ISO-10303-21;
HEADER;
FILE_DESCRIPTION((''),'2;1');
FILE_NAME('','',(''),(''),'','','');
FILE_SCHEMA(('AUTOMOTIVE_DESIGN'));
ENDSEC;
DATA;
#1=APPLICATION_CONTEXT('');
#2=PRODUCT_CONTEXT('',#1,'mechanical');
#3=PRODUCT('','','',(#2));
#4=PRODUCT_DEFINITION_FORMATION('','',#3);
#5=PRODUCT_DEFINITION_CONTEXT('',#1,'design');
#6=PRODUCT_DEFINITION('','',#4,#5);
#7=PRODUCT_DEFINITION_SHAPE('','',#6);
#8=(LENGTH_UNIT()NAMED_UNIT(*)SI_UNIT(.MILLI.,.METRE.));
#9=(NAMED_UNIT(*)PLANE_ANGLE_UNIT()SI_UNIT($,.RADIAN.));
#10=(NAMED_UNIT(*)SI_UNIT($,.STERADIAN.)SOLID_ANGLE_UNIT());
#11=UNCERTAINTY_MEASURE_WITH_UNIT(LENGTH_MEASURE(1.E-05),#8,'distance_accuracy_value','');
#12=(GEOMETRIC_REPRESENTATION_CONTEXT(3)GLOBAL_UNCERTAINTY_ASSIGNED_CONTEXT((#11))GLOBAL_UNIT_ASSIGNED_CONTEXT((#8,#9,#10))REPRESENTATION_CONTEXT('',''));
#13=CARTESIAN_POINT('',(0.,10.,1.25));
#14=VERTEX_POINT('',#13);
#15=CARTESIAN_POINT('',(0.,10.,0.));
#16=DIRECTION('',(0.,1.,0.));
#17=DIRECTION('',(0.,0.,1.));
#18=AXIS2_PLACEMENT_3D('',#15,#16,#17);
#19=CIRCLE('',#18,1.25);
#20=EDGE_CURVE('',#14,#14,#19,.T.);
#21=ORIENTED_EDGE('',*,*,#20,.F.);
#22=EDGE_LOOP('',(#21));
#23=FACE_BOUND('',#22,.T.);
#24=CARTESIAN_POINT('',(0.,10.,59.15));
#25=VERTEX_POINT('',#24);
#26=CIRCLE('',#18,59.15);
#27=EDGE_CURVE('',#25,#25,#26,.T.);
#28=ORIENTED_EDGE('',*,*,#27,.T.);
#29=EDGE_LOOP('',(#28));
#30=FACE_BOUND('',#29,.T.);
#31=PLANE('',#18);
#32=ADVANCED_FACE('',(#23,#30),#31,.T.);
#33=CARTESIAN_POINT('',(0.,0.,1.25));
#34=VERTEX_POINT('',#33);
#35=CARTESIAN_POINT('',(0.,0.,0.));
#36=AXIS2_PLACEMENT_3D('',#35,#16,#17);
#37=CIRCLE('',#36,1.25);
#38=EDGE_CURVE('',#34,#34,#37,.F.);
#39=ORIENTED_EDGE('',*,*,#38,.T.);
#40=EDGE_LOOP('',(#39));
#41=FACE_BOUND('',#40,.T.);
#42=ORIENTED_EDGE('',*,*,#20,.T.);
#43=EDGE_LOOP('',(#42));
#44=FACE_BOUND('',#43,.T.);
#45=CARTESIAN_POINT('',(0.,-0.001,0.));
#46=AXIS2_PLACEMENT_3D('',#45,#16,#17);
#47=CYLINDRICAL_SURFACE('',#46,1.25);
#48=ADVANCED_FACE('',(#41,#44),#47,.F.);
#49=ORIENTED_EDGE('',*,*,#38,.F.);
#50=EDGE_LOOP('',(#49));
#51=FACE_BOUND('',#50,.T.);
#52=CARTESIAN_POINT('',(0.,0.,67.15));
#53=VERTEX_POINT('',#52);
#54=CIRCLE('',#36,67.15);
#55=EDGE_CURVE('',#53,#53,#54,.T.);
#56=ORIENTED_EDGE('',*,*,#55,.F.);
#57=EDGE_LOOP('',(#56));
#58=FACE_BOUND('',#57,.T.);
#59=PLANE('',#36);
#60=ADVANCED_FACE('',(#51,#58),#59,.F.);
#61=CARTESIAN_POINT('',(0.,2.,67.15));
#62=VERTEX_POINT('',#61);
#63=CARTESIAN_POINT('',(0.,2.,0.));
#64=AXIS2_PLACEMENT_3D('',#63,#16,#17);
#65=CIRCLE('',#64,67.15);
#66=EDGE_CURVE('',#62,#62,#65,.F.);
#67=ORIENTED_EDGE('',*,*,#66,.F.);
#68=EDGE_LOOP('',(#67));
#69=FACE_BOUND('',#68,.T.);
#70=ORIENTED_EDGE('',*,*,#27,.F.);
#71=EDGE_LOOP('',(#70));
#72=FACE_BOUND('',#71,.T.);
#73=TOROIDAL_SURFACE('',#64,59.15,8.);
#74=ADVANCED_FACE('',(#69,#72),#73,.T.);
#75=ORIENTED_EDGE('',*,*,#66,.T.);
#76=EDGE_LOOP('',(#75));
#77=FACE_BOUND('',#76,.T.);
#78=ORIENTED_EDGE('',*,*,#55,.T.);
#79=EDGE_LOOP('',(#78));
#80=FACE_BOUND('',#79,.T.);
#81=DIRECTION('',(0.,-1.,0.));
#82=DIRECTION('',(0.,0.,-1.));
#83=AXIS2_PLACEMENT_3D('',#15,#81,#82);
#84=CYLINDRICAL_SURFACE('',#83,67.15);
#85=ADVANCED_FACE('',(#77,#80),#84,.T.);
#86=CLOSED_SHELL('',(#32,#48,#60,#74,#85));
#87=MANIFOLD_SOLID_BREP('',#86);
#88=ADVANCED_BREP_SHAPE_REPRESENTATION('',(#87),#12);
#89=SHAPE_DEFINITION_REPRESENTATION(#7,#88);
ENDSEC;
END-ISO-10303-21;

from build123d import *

# Parameters (mm, degrees)
SKETCH1_R           = 67.15
BOSS_EXTRUDE1_DEPTH = 10
FILLET1_R           = 8
CUT_EXTRUDE3_REACH  = 97.49
SKETCH4_R           = 1.25


with BuildPart() as part:
    # Sketch1 → Boss-Extrude1 (new body)
    with BuildSketch(Plane(origin=(0, 0, 0), x_dir=(1, 0, 0), z_dir=(0, 1, 0))):
        with Locations(Location((0, 0, 0), (0, 0, 270))):
            Circle(SKETCH1_R)
    extrude(amount=BOSS_EXTRUDE1_DEPTH)

    # Fillet1
    fillet1_edges = [part.edges().sort_by_distance(p)[0] for p in [
        (0, 10, -67.15),
    ]]
    fillet(fillet1_edges, radius=FILLET1_R)

    # Sketch4 → Cut-Extrude3 (cut, up to next)
    with BuildSketch(Plane(origin=(0, 10, 0), x_dir=(1, 0, 0), z_dir=(0, 1, 0)), mode=Mode.PRIVATE) as cut_extrude3_sk1:
        with Locations(Location((0, 0, 0), (0, 0, 270))):
            Circle(SKETCH4_R)
    cut_extrude3_tool1 = extrude(cut_extrude3_sk1.sketch, amount=-CUT_EXTRUDE3_REACH, mode=Mode.PRIVATE) & part.part
    add(cut_extrude3_tool1.solids().sort_by_distance((0, 10, 0))[0], mode=Mode.SUBTRACT)


solid = part.part
